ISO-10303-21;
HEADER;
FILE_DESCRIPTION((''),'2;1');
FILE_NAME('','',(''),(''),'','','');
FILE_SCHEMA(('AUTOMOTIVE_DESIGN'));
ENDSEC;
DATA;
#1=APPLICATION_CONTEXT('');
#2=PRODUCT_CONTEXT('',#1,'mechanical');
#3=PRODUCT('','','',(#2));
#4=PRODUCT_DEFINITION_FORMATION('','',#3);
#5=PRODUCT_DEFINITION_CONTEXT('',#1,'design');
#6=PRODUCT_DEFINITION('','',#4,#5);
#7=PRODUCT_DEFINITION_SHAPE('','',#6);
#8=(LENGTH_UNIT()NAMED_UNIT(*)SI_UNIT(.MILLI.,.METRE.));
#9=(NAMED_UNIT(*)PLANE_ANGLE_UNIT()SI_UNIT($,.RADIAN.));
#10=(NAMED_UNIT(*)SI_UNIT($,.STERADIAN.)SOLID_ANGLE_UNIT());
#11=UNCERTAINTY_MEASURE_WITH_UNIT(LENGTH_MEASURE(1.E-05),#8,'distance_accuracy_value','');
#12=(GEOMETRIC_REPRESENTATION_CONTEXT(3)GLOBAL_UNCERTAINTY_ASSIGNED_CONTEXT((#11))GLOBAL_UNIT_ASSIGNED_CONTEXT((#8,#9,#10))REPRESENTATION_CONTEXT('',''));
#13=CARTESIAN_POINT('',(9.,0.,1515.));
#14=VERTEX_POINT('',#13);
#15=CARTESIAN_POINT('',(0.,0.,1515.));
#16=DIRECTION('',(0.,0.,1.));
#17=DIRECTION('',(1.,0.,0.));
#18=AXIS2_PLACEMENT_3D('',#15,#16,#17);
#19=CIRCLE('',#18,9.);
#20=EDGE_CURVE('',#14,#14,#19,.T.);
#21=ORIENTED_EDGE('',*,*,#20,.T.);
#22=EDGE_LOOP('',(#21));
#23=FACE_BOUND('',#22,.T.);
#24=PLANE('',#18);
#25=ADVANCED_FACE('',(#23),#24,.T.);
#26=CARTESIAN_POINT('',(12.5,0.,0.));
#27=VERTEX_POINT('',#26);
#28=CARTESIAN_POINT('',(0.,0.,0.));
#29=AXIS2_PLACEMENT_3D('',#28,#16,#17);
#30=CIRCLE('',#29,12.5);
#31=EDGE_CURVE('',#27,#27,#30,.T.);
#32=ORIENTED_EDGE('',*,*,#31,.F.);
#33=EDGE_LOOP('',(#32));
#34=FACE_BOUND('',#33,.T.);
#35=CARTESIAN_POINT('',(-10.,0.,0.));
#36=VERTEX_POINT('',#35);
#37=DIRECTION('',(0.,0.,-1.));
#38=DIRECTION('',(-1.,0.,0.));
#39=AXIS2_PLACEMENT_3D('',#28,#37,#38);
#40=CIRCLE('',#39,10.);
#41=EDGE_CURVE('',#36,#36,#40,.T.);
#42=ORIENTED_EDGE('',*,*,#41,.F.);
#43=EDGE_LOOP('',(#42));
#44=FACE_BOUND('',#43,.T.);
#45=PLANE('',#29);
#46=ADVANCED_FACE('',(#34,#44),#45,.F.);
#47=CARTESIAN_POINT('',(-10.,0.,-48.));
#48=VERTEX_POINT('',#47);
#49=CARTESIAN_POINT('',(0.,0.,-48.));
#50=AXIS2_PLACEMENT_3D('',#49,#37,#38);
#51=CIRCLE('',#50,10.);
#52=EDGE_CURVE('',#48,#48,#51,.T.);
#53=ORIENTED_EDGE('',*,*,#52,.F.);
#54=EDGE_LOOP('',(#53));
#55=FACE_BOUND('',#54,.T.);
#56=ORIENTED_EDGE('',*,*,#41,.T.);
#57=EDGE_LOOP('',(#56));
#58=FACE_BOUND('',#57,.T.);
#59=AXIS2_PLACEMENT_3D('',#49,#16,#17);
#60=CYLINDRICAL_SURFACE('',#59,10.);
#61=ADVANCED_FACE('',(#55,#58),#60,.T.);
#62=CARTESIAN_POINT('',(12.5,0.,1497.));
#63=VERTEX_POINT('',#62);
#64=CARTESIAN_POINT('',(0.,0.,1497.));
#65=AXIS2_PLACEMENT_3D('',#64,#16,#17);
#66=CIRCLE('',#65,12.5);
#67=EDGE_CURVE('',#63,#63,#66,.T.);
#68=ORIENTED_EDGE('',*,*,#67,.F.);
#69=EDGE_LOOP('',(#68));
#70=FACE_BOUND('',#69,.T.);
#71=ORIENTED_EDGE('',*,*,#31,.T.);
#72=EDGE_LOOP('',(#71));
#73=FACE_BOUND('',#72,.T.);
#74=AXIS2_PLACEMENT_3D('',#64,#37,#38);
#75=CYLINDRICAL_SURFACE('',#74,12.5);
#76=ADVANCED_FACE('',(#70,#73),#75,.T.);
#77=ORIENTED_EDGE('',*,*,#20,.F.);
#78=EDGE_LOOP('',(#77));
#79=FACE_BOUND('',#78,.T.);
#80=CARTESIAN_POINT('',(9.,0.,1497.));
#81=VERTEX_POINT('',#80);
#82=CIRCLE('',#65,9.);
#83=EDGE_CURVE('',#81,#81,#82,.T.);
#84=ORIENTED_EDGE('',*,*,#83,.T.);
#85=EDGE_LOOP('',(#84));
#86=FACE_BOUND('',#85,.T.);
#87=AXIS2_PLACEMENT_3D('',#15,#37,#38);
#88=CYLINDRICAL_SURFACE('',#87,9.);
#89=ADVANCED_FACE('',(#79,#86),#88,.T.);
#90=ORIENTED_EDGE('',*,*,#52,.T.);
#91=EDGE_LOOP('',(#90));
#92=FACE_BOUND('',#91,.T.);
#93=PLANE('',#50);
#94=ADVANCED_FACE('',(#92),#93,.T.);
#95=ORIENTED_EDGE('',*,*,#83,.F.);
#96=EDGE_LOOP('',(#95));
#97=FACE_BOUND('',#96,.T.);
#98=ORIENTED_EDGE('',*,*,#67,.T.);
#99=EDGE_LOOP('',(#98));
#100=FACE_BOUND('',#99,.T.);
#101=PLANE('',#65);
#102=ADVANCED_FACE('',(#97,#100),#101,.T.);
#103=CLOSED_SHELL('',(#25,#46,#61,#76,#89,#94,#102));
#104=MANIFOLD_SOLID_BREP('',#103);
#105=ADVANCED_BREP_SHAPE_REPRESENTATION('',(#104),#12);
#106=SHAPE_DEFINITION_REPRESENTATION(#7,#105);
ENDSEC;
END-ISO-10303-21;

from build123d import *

# Parameters (mm, degrees)
SZKIC2_R                    = 12.5
DODANIE_WYCI_GNI_CIE1_DEPTH = 1497
SZKIC3_R                    = 9
DODANIE_WYCI_GNI_CIE2_DEPTH = 18
SZKIC4_R                    = 10
DODANIE_WYCI_GNI_CIE3_DEPTH = 48


with BuildPart() as part:
    # Szkic2 → Dodanie-wyciągnięcie1 (new body)
    with BuildSketch(Plane.XY):
        Circle(SZKIC2_R)
    extrude(amount=DODANIE_WYCI_GNI_CIE1_DEPTH)

    # Szkic3 → Dodanie-wyciągnięcie2 (add)
    with BuildSketch(Plane.XY.offset(1497)):
        Circle(SZKIC3_R)
    extrude(amount=DODANIE_WYCI_GNI_CIE2_DEPTH)

    # Szkic4 → Dodanie-wyciągnięcie3 (add)
    with BuildSketch(Plane(origin=(0, 0, 0), x_dir=(-1, 0, 0), z_dir=(0, 0, -1))):
        Circle(SZKIC4_R)
    extrude(amount=DODANIE_WYCI_GNI_CIE3_DEPTH)


solid = part.part
